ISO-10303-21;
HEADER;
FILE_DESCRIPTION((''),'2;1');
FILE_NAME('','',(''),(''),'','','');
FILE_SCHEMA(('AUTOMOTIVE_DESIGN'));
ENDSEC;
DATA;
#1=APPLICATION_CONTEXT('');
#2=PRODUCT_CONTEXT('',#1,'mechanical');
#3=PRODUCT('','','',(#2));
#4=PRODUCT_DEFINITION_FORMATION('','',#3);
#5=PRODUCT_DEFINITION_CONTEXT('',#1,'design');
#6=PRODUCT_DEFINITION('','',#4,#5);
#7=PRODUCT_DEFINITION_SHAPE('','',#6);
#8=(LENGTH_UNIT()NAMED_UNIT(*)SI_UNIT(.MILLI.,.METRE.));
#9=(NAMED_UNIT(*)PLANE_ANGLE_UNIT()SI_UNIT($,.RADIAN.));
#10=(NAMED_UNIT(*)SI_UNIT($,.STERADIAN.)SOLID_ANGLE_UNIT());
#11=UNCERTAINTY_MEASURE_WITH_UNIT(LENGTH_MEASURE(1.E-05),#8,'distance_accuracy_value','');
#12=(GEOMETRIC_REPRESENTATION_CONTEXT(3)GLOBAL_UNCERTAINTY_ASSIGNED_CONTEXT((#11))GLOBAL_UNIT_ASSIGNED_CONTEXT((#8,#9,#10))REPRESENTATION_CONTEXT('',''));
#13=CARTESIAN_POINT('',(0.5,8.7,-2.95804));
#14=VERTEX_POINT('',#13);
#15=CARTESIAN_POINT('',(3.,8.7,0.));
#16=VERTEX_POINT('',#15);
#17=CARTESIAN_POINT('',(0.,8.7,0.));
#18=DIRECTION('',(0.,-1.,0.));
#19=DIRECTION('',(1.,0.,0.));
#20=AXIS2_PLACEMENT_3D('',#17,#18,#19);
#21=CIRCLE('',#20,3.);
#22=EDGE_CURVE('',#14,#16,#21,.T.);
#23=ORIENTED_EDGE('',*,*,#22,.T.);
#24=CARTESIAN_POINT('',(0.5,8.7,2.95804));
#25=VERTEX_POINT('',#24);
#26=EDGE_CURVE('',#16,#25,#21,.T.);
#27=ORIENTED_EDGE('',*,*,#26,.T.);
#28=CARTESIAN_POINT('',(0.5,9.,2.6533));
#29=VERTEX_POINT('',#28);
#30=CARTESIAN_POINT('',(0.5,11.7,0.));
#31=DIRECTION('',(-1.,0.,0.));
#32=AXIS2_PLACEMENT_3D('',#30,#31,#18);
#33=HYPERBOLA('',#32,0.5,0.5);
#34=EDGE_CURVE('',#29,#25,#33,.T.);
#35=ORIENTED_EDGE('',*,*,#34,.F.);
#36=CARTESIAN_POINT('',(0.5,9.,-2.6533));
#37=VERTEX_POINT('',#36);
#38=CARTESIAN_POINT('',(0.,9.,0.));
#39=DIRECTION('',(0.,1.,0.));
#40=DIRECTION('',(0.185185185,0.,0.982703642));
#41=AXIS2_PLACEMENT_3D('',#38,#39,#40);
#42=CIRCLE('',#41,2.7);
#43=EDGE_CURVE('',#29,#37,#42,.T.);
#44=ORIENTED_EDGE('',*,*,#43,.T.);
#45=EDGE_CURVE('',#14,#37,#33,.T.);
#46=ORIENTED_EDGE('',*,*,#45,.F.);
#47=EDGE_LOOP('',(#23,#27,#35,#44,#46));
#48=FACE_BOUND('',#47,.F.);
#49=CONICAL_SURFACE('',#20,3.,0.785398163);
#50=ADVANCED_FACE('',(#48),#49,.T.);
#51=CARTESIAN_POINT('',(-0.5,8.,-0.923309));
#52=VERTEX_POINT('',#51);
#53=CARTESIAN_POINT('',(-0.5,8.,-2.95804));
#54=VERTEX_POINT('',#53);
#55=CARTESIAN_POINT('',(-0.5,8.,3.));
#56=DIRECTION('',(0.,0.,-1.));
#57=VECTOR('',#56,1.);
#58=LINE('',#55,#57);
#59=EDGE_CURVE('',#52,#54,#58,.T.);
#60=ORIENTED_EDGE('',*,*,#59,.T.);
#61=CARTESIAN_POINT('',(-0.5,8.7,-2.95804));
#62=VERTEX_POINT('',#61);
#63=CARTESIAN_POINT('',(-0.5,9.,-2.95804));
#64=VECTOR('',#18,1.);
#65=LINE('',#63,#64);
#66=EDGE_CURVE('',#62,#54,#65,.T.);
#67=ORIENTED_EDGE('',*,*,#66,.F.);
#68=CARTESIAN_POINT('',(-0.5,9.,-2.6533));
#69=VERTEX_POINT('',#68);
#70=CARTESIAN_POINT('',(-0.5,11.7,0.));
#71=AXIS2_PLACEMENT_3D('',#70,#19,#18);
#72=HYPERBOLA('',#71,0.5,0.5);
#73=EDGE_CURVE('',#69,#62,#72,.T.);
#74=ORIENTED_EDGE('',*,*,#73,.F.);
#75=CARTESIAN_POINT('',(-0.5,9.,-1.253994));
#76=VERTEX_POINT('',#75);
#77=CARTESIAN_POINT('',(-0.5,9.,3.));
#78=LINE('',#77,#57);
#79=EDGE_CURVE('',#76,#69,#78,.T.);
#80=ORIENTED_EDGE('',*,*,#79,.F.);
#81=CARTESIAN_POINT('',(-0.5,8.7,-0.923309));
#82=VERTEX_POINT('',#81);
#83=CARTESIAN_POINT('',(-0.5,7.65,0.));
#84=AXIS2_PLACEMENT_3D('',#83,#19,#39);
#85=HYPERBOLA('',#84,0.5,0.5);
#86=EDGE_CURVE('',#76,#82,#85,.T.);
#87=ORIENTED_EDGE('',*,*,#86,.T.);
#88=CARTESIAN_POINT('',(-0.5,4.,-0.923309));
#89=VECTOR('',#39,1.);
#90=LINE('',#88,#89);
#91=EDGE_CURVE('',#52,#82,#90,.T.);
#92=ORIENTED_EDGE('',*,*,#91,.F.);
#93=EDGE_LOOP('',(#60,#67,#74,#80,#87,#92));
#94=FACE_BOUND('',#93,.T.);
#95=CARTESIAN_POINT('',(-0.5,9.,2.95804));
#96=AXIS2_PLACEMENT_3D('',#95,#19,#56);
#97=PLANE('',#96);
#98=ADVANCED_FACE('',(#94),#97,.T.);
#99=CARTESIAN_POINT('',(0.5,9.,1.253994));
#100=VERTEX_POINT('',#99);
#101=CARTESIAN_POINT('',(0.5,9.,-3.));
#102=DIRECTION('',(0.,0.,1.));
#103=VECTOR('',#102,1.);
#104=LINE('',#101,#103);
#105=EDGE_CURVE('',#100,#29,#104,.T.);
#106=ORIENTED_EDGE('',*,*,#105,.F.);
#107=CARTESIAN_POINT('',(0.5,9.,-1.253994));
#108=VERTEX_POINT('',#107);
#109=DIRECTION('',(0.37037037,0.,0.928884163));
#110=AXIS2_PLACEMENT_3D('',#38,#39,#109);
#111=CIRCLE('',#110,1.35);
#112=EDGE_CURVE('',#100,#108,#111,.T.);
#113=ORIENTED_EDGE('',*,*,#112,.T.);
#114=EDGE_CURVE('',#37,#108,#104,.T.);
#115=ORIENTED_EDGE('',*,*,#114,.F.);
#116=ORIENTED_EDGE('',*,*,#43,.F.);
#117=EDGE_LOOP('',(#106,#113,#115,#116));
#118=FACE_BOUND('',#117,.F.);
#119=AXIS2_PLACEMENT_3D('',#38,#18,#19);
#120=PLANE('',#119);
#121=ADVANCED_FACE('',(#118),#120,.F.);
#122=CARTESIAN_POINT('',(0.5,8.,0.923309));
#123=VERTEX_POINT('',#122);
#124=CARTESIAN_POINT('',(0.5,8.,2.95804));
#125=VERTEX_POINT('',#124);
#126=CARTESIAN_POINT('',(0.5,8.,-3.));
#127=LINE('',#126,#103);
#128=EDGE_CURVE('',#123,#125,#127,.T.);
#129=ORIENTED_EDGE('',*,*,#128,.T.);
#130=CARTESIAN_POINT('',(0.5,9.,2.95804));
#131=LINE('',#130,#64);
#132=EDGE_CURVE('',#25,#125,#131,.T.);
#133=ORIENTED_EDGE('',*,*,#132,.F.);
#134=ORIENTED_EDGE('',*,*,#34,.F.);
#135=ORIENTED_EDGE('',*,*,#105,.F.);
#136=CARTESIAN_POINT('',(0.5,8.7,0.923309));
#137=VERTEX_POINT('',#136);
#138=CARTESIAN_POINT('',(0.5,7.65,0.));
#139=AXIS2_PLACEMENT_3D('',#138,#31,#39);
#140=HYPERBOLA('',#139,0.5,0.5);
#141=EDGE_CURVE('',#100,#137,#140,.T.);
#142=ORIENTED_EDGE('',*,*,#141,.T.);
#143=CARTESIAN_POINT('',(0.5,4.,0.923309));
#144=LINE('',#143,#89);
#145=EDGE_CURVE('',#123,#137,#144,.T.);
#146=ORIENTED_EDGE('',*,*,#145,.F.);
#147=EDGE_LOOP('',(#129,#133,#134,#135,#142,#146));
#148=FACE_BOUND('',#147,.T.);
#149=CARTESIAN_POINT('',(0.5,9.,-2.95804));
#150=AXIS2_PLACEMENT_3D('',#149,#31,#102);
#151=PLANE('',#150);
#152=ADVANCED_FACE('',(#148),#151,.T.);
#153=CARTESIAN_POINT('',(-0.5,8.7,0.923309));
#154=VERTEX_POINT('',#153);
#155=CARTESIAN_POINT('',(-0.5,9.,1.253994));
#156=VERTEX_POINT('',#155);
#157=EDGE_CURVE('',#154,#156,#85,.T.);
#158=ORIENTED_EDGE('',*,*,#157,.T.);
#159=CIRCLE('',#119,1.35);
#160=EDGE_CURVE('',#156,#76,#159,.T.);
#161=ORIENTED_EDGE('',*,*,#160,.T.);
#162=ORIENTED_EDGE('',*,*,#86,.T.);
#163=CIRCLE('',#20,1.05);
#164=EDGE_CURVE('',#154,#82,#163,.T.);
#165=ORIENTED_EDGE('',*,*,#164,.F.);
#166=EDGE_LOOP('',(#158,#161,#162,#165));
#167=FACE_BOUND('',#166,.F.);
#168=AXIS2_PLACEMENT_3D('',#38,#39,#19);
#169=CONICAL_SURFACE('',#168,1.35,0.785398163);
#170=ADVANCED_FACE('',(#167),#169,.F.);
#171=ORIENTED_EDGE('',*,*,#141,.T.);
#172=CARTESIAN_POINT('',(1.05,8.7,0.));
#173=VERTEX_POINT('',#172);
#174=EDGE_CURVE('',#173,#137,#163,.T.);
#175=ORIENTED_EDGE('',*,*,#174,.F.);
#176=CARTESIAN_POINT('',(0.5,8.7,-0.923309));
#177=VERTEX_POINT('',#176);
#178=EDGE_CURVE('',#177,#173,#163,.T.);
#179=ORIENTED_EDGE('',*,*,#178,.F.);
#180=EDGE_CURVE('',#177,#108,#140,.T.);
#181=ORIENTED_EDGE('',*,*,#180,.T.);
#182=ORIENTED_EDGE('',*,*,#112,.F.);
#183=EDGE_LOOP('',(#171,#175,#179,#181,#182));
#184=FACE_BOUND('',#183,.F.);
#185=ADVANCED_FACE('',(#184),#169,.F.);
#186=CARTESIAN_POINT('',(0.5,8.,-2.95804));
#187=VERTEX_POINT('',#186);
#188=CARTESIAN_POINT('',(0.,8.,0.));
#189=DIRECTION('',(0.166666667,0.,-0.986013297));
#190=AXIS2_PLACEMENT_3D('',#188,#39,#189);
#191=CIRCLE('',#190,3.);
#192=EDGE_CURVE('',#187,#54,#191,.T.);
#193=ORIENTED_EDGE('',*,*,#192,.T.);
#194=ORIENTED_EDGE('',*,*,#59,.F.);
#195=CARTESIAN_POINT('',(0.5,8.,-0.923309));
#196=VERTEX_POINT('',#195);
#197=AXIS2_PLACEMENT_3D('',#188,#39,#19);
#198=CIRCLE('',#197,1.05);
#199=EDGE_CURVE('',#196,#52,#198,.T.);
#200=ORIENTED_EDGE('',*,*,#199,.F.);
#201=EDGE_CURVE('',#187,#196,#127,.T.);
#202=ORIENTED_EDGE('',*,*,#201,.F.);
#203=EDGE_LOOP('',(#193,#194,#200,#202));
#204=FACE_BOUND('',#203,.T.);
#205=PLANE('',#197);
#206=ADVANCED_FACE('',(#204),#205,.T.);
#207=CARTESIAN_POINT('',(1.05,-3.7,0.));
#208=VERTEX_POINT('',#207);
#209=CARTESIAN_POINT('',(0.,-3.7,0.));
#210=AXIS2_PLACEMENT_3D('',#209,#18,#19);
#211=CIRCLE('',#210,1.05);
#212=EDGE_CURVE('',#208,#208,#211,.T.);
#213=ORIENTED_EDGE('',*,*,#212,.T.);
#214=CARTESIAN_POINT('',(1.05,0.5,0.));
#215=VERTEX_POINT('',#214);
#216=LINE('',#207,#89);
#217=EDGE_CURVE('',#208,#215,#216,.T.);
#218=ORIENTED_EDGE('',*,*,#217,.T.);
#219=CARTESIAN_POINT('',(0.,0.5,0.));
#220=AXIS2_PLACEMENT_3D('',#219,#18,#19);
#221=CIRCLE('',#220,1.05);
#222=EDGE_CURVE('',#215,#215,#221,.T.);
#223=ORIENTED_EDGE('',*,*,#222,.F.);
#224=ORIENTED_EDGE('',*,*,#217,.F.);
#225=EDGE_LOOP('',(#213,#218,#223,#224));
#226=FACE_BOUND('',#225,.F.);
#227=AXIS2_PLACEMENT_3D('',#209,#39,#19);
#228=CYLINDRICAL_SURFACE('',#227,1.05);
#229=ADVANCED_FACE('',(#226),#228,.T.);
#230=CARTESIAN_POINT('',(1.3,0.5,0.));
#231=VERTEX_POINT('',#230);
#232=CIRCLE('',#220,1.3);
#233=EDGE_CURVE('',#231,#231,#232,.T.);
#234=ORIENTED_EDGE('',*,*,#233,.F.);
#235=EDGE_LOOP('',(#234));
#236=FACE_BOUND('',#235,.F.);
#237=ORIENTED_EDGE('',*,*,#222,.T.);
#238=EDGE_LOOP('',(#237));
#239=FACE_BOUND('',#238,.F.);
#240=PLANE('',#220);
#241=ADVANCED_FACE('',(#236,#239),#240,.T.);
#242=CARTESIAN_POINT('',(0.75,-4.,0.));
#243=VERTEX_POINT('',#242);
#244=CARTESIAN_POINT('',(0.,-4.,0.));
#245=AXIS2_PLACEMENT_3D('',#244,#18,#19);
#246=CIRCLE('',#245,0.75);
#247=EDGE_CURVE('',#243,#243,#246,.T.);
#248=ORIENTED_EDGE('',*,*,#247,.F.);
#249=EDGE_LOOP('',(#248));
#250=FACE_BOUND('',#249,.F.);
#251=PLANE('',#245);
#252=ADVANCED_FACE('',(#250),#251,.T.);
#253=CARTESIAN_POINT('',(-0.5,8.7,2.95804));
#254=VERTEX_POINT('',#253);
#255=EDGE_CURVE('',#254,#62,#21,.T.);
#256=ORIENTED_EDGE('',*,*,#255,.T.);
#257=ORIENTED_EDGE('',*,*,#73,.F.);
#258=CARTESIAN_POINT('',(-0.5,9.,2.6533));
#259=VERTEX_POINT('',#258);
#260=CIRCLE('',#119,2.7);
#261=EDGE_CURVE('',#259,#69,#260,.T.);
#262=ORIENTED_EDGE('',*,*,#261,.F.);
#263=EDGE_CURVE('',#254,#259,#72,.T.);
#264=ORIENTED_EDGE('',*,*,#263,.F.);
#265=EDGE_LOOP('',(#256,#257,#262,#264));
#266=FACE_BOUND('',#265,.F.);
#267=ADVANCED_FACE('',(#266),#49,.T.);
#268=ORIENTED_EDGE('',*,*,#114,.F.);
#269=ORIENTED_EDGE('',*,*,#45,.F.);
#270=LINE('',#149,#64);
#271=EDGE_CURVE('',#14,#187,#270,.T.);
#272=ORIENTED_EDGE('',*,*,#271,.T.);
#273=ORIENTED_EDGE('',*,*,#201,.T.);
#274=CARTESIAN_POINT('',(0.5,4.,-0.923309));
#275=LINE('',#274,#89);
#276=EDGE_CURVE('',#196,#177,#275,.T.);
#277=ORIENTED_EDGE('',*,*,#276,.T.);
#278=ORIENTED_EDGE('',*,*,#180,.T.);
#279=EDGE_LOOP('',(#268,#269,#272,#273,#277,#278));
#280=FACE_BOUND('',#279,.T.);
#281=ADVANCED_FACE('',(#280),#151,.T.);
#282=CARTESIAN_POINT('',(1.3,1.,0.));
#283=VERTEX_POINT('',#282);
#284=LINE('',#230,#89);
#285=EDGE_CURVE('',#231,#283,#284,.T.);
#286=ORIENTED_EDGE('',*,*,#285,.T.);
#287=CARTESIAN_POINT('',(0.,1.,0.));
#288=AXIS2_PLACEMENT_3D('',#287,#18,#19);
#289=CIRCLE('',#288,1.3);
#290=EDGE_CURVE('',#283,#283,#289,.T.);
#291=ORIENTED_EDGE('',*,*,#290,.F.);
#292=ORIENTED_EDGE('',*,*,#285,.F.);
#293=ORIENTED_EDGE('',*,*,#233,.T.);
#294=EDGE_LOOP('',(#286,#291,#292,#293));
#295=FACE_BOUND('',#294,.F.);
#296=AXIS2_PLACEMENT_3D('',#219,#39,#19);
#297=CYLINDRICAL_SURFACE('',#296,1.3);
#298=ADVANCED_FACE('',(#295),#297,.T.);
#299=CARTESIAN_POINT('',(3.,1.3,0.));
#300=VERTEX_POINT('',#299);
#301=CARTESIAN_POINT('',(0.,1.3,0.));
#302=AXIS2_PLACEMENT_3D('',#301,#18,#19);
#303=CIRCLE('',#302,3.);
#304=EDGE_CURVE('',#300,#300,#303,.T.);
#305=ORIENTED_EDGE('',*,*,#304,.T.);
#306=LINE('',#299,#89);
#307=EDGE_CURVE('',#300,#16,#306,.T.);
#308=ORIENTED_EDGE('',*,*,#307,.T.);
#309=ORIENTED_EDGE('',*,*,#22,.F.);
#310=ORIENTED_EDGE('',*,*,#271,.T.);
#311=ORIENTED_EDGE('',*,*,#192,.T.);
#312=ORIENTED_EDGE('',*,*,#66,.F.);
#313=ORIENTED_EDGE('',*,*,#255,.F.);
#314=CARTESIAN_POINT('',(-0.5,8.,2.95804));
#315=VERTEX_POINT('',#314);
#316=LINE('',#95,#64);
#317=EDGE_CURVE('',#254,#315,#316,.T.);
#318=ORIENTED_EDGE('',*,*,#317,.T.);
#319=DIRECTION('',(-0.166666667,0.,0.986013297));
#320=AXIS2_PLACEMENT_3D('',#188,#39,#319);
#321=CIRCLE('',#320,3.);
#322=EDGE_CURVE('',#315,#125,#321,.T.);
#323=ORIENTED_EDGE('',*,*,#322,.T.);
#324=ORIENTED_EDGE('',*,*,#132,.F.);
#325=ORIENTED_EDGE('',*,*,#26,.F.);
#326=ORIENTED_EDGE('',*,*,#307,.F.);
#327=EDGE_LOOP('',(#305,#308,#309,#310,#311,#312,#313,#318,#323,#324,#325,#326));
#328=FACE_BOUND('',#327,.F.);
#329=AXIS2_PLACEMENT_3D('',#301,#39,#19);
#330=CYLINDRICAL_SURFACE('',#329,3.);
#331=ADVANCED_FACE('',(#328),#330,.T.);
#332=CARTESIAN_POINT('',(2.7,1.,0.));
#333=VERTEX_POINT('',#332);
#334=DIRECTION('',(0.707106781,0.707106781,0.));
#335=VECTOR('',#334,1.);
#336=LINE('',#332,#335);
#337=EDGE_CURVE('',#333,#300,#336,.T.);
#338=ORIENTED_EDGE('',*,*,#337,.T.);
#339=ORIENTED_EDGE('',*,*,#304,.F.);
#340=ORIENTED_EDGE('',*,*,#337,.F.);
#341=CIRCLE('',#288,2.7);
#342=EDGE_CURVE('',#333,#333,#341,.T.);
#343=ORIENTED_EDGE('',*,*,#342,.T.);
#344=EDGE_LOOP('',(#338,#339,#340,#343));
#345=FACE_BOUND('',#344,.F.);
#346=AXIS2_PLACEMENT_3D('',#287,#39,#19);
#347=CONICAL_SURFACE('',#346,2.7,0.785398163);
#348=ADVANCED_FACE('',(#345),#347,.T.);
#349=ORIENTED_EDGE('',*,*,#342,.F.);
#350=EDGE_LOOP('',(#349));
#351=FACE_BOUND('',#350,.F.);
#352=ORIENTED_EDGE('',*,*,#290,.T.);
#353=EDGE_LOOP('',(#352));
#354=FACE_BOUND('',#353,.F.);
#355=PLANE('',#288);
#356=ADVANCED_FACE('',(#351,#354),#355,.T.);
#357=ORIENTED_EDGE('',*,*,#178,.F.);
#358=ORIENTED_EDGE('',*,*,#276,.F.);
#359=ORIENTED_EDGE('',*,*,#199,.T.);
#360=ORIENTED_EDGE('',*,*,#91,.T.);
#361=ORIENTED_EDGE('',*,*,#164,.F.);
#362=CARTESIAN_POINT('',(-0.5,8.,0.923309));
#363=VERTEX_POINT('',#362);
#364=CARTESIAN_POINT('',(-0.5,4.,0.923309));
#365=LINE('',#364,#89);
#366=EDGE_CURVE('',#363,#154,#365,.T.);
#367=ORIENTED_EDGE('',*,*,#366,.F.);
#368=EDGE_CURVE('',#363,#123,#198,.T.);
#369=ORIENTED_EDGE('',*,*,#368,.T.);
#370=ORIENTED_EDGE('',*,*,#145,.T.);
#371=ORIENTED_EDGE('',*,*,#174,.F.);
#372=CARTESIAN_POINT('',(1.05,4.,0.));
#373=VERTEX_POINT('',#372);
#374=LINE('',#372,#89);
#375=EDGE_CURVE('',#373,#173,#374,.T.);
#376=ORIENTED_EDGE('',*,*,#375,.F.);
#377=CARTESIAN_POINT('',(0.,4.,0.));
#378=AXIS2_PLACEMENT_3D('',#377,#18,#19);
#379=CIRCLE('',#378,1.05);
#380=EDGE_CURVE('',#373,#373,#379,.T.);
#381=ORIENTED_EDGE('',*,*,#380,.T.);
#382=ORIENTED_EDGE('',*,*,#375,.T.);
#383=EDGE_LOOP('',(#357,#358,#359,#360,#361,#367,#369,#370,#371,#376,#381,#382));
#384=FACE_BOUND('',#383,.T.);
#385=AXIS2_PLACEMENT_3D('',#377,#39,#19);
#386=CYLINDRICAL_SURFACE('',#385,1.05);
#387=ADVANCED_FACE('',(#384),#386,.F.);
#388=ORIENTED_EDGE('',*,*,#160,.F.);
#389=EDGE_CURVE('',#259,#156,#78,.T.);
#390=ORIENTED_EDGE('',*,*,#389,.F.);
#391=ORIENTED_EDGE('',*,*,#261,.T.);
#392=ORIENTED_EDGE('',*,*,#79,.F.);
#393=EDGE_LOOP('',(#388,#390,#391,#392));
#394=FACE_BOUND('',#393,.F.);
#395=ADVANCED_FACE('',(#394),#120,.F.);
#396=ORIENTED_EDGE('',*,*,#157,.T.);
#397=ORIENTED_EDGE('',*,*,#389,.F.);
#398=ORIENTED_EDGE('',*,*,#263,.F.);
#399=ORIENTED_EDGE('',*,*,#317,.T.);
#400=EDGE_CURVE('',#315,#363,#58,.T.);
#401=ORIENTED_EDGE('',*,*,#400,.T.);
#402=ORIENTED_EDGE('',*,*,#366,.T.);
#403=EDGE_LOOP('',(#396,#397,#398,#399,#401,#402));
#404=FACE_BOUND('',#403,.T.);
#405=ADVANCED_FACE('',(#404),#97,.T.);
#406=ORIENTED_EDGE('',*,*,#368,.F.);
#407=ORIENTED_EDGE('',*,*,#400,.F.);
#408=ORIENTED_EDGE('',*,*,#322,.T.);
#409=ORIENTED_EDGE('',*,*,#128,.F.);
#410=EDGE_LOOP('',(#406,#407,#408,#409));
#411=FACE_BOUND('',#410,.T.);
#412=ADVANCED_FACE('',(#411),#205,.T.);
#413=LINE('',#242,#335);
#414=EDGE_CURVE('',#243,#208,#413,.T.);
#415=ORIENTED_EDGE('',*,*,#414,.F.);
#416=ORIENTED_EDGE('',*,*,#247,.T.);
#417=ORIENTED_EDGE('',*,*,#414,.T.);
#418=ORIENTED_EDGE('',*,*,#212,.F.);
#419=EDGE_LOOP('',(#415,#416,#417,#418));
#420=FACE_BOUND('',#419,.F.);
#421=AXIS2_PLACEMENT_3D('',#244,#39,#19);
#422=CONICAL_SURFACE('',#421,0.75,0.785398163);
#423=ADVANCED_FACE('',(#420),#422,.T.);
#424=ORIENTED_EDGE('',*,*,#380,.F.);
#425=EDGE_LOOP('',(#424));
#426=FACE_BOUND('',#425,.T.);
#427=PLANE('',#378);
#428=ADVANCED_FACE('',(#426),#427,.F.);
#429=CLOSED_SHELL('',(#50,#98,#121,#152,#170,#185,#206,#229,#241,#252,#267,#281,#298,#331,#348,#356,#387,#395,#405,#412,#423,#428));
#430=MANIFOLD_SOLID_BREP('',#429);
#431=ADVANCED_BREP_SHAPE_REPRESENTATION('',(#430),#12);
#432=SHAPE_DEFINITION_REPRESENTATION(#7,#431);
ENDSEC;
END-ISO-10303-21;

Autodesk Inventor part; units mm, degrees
ref_plane "YZ Plane" through (0, 0, 0) normal (1, 0, 0) x (0, 1, 0)
ref_plane "XZ Plane" through (0, 0, 0) normal (0, 1, 0) x (-1, 0, 0)
ref_plane "XY Plane" through (0, 0, 0) normal (0, 0, 1) x (1, 0, 0)
sketch "スケッチ1" plane through (0, 0, 0) normal (0, 0, 1) x (1, 0, 0)
  line L0 (0, -4) -> (0.75, -4)
  line L1 (0.75, -4) -> (1.05, -3.7)
  line L2 (1.05, -3.7) -> (1.05, 0.5)
  line L3 (1.05, 0.5) -> (1.3, 0.5)
  line L4 (1.3, 0.5) -> (1.3, 1)
  line L5 (1.3, 1) -> (2.7, 1)
  line L6 (3, 8.7) -> (2.7, 9)
  line L7 (2.7, 9) -> (1.35, 9)
  line L8 (1.35, 9) -> (1.05, 8.7)
  line L9 (0, 7.4044) -> (0, -7.4044) construction
  line L10 (0, -4) -> (0, 4)
  line L11 (0, 4) -> (1.05, 4)
  line L12 (1.05, 4) -> (1.05, 8.7)
  line L13 (2.7, 1) -> (3, 1.3)
  line L14 (3, 1.3) -> (3, 8.7)
  point P0 (0, 0)
  point P1 (0, 0)
  point P2 (0, 0)
  dimension "d0" = 2.1
  dimension "d1" = 5
  dimension "d2" = 0.3
  dimension "d3" = 0.3
  dimension "d4" = 2.6
  dimension "d5" = 0.5
  dimension "d6" = 8
  dimension "d7" = 0.3
  dimension "d8" = 2.1
  dimension "d9" = 5
  dimension "d10" = 0.3
  dimension "d11" = 0.3
  dimension "d12" = 0.3
  dimension "d13" = 0.3
  dimension "d14" = 6
revolve "回転1" add sketch "スケッチ1" angle 360 about axis through (0, 7.4044, 0) along (0, -1, 0)
sketch "スケッチ2" plane through (0, 9, 0) normal (0, 1, 0) x (1, 0, 0)
  line L0 (-0.5, 3) -> (0.5, 3)
  line L1 (0.5, 3) -> (0.5, -3)
  line L2 (0.5, -3) -> (-0.5, -3)
  line L3 (-0.5, -3) -> (-0.5, 3)
  line L4 (-0.5, 3) -> (0.5, -3) construction
  line L5 (0.5, 3) -> (-0.5, -3) construction
  circle A0 centre (0, 0) radius 3 projected
  point P0 (0, 0)
  point P1 (0.5, 2.958)
  point P2 (-0.5, 2.958)
  point P3 (-0.5, -2.958)
  point P4 (0.5, -2.958)
  dimension "d16" = 1
extrude "押し出し1" cut sketch "スケッチ2" against normal blind 1 contours A0 L1 L3
equation "\"d3\" = d2"
equation "\"d10\" = d7"
equation "\"d11\" = d7"
equation "\"d12\" = d11"
equation "\"d13\" = d12"
properties part number "BRU-2608S" material "ステンレス鋼 AISI 304"
